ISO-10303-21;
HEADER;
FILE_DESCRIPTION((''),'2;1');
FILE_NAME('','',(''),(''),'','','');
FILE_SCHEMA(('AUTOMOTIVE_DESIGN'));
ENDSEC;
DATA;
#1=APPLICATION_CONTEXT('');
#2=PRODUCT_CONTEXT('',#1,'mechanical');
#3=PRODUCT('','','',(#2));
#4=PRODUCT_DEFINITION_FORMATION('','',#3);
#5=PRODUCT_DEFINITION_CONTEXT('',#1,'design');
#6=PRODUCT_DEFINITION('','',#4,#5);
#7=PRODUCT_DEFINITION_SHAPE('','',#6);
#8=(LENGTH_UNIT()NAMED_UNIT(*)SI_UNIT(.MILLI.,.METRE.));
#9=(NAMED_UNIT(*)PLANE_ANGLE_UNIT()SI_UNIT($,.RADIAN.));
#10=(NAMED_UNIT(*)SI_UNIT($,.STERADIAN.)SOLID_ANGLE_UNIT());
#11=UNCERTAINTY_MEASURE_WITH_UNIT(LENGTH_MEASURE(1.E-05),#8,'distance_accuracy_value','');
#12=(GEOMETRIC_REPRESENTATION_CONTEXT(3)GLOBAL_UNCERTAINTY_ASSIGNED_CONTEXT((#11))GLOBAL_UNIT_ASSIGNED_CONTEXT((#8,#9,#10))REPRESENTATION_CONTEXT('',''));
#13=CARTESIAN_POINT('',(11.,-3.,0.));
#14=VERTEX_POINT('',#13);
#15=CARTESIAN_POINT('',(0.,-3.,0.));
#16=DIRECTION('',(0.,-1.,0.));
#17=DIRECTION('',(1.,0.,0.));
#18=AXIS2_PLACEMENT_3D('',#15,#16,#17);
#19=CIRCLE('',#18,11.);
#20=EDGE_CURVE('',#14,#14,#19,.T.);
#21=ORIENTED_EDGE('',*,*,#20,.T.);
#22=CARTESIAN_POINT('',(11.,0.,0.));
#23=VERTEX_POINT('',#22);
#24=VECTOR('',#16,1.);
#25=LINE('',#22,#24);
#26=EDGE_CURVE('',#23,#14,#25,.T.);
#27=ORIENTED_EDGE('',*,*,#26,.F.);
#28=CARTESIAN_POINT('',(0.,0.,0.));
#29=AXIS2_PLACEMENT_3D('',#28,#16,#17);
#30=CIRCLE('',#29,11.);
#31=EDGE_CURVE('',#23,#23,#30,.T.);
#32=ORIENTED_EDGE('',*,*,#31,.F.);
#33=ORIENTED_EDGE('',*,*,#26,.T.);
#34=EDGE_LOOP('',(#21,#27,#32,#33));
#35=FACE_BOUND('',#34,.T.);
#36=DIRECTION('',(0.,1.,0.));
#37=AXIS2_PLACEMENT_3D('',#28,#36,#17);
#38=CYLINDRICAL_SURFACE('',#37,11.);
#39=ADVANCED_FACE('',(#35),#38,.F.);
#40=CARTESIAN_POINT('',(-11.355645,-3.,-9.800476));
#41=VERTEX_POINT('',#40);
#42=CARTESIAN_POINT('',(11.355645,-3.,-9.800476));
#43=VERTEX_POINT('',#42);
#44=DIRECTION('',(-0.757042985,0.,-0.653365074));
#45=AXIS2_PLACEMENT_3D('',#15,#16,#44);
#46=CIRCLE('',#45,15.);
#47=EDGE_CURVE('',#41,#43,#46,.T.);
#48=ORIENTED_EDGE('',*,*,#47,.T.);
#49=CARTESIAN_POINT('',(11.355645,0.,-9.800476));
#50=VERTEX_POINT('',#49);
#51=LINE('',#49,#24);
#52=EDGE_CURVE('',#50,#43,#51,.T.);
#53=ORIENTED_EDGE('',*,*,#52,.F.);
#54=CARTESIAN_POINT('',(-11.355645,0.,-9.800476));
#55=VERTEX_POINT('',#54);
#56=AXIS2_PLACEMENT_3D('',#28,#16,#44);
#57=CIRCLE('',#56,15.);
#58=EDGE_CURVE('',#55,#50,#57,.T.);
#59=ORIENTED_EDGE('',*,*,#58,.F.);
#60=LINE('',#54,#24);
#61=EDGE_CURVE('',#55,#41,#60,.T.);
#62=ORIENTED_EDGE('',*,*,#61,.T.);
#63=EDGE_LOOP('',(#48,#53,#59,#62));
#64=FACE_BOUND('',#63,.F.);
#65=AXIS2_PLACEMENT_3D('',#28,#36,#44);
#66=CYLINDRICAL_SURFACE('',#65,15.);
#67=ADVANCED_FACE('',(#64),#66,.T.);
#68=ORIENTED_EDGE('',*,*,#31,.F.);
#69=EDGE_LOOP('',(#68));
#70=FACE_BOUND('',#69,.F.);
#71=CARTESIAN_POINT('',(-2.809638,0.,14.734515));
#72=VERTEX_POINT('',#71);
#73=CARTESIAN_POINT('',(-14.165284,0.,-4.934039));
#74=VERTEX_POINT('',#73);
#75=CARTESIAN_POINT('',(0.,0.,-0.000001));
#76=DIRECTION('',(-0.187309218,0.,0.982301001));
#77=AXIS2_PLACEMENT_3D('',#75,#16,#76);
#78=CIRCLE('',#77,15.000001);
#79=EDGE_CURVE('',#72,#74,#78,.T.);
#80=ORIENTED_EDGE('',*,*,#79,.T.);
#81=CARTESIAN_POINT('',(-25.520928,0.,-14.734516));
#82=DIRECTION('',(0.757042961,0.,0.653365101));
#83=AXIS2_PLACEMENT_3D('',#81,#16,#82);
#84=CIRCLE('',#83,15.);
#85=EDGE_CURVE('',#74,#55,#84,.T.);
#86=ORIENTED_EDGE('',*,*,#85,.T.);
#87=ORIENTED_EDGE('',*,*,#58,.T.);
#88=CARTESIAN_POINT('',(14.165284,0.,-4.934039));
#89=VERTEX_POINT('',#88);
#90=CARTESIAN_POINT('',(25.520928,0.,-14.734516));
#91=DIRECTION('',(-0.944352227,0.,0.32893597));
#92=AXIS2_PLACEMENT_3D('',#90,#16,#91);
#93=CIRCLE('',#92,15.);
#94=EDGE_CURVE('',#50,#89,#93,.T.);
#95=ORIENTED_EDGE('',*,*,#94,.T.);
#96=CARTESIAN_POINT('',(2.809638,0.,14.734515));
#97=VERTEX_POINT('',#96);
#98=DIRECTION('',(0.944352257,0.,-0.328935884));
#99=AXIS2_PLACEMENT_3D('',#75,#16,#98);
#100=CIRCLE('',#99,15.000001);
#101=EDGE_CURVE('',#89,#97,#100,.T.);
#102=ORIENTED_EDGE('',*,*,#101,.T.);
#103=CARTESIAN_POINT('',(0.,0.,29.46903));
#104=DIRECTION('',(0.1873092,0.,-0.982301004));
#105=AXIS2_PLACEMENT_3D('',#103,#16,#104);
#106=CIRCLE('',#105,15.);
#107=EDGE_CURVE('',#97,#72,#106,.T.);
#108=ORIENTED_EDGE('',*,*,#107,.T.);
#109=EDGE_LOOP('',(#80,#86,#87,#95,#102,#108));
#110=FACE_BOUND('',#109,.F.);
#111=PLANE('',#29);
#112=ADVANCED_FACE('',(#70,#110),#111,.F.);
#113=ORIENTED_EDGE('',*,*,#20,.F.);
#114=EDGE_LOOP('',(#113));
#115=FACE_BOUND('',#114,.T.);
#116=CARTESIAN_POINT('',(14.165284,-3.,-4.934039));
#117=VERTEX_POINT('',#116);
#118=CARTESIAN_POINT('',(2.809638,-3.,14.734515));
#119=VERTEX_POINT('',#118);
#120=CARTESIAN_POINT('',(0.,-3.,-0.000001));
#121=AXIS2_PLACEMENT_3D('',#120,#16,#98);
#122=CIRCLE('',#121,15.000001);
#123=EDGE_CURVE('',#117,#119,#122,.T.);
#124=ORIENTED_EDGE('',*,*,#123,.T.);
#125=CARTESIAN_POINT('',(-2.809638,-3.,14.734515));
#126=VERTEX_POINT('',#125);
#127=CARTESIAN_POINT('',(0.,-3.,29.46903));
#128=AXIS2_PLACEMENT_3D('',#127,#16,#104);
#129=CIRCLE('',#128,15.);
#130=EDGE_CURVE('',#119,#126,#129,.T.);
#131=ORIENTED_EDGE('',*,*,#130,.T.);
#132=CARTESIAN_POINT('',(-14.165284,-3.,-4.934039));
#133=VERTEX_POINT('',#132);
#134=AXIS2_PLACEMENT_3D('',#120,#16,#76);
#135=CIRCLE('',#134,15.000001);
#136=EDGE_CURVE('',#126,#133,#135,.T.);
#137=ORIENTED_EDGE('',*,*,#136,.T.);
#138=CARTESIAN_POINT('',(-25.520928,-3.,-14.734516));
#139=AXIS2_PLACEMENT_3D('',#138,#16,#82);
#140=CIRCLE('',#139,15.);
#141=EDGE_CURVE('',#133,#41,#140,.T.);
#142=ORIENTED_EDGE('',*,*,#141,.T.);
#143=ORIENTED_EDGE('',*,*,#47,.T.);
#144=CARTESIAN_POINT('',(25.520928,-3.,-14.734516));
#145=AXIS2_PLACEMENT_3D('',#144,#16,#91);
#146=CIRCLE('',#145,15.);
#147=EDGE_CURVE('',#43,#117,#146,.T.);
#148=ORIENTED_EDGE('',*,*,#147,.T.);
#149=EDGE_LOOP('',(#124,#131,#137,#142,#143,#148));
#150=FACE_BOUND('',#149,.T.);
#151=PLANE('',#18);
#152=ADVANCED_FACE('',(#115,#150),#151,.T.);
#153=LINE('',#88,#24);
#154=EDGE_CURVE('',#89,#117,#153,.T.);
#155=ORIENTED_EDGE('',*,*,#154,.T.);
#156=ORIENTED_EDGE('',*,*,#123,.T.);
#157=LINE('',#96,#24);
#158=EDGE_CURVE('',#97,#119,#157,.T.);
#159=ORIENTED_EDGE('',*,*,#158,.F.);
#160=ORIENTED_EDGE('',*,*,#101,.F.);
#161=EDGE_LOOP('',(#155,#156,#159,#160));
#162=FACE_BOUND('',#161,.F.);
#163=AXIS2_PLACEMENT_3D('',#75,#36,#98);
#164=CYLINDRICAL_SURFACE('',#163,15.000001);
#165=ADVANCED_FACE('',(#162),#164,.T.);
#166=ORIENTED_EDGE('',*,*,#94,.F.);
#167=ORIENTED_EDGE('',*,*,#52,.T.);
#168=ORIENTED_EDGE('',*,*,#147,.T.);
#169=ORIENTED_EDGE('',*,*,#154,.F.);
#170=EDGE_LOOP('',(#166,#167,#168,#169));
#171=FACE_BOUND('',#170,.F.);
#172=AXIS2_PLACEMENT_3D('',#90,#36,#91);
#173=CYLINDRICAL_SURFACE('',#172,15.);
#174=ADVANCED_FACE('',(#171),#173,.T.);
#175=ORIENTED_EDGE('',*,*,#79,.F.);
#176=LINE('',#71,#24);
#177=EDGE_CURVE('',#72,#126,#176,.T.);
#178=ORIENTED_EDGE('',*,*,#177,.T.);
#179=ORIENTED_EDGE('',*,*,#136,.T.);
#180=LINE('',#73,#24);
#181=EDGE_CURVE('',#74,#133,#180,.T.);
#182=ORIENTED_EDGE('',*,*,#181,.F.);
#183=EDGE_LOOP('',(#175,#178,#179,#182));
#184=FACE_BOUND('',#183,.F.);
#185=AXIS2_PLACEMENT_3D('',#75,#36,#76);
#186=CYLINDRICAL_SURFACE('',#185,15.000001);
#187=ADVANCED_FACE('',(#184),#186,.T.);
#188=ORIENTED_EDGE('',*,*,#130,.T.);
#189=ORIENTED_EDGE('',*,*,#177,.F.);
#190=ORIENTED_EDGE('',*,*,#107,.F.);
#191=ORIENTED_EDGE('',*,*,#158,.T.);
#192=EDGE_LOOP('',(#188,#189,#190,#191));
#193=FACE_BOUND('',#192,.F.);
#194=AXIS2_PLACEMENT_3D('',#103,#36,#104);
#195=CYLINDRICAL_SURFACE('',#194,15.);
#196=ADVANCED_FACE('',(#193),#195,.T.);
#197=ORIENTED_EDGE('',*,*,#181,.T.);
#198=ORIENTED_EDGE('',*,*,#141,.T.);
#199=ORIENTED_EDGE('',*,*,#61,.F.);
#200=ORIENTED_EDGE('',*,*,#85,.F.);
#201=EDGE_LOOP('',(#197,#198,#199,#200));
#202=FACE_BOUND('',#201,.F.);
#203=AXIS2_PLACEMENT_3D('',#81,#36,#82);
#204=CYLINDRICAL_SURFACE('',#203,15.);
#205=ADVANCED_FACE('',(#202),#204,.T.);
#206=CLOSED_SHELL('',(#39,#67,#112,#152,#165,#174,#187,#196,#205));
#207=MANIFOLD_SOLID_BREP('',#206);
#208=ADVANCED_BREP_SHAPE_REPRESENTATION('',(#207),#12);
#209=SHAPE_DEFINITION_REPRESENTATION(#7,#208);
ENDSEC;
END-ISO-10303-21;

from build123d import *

# Parameters (mm, degrees)
F0_R     = 11
F1_DEPTH = 3


with BuildPart() as f1:
    # F0 (on Front) → F1 (new body)
    with BuildSketch(Plane.XZ):
        with BuildLine():
            ThreePointArc((2.809638, 14.734515), (0, 44.46903), (-2.809638, 14.734515))
            ThreePointArc((-2.809638, 14.734515), (-12.990381, 7.5), (-14.165284, -4.934039))
            ThreePointArc((-14.165284, -4.934039), (-38.51131, -22.234515), (-11.355645, -9.800476))
            ThreePointArc((-11.355645, -9.800476), (0, -15), (11.355645, -9.800476))
            ThreePointArc((11.355645, -9.800476), (38.51131, -22.234515), (14.165284, -4.934039))
            ThreePointArc((14.165284, -4.934039), (12.990381, 7.5), (2.809638, 14.734515))
        make_face()
        Circle(F0_R, mode=Mode.SUBTRACT)
    extrude(amount=F1_DEPTH)


solid = f1.part
